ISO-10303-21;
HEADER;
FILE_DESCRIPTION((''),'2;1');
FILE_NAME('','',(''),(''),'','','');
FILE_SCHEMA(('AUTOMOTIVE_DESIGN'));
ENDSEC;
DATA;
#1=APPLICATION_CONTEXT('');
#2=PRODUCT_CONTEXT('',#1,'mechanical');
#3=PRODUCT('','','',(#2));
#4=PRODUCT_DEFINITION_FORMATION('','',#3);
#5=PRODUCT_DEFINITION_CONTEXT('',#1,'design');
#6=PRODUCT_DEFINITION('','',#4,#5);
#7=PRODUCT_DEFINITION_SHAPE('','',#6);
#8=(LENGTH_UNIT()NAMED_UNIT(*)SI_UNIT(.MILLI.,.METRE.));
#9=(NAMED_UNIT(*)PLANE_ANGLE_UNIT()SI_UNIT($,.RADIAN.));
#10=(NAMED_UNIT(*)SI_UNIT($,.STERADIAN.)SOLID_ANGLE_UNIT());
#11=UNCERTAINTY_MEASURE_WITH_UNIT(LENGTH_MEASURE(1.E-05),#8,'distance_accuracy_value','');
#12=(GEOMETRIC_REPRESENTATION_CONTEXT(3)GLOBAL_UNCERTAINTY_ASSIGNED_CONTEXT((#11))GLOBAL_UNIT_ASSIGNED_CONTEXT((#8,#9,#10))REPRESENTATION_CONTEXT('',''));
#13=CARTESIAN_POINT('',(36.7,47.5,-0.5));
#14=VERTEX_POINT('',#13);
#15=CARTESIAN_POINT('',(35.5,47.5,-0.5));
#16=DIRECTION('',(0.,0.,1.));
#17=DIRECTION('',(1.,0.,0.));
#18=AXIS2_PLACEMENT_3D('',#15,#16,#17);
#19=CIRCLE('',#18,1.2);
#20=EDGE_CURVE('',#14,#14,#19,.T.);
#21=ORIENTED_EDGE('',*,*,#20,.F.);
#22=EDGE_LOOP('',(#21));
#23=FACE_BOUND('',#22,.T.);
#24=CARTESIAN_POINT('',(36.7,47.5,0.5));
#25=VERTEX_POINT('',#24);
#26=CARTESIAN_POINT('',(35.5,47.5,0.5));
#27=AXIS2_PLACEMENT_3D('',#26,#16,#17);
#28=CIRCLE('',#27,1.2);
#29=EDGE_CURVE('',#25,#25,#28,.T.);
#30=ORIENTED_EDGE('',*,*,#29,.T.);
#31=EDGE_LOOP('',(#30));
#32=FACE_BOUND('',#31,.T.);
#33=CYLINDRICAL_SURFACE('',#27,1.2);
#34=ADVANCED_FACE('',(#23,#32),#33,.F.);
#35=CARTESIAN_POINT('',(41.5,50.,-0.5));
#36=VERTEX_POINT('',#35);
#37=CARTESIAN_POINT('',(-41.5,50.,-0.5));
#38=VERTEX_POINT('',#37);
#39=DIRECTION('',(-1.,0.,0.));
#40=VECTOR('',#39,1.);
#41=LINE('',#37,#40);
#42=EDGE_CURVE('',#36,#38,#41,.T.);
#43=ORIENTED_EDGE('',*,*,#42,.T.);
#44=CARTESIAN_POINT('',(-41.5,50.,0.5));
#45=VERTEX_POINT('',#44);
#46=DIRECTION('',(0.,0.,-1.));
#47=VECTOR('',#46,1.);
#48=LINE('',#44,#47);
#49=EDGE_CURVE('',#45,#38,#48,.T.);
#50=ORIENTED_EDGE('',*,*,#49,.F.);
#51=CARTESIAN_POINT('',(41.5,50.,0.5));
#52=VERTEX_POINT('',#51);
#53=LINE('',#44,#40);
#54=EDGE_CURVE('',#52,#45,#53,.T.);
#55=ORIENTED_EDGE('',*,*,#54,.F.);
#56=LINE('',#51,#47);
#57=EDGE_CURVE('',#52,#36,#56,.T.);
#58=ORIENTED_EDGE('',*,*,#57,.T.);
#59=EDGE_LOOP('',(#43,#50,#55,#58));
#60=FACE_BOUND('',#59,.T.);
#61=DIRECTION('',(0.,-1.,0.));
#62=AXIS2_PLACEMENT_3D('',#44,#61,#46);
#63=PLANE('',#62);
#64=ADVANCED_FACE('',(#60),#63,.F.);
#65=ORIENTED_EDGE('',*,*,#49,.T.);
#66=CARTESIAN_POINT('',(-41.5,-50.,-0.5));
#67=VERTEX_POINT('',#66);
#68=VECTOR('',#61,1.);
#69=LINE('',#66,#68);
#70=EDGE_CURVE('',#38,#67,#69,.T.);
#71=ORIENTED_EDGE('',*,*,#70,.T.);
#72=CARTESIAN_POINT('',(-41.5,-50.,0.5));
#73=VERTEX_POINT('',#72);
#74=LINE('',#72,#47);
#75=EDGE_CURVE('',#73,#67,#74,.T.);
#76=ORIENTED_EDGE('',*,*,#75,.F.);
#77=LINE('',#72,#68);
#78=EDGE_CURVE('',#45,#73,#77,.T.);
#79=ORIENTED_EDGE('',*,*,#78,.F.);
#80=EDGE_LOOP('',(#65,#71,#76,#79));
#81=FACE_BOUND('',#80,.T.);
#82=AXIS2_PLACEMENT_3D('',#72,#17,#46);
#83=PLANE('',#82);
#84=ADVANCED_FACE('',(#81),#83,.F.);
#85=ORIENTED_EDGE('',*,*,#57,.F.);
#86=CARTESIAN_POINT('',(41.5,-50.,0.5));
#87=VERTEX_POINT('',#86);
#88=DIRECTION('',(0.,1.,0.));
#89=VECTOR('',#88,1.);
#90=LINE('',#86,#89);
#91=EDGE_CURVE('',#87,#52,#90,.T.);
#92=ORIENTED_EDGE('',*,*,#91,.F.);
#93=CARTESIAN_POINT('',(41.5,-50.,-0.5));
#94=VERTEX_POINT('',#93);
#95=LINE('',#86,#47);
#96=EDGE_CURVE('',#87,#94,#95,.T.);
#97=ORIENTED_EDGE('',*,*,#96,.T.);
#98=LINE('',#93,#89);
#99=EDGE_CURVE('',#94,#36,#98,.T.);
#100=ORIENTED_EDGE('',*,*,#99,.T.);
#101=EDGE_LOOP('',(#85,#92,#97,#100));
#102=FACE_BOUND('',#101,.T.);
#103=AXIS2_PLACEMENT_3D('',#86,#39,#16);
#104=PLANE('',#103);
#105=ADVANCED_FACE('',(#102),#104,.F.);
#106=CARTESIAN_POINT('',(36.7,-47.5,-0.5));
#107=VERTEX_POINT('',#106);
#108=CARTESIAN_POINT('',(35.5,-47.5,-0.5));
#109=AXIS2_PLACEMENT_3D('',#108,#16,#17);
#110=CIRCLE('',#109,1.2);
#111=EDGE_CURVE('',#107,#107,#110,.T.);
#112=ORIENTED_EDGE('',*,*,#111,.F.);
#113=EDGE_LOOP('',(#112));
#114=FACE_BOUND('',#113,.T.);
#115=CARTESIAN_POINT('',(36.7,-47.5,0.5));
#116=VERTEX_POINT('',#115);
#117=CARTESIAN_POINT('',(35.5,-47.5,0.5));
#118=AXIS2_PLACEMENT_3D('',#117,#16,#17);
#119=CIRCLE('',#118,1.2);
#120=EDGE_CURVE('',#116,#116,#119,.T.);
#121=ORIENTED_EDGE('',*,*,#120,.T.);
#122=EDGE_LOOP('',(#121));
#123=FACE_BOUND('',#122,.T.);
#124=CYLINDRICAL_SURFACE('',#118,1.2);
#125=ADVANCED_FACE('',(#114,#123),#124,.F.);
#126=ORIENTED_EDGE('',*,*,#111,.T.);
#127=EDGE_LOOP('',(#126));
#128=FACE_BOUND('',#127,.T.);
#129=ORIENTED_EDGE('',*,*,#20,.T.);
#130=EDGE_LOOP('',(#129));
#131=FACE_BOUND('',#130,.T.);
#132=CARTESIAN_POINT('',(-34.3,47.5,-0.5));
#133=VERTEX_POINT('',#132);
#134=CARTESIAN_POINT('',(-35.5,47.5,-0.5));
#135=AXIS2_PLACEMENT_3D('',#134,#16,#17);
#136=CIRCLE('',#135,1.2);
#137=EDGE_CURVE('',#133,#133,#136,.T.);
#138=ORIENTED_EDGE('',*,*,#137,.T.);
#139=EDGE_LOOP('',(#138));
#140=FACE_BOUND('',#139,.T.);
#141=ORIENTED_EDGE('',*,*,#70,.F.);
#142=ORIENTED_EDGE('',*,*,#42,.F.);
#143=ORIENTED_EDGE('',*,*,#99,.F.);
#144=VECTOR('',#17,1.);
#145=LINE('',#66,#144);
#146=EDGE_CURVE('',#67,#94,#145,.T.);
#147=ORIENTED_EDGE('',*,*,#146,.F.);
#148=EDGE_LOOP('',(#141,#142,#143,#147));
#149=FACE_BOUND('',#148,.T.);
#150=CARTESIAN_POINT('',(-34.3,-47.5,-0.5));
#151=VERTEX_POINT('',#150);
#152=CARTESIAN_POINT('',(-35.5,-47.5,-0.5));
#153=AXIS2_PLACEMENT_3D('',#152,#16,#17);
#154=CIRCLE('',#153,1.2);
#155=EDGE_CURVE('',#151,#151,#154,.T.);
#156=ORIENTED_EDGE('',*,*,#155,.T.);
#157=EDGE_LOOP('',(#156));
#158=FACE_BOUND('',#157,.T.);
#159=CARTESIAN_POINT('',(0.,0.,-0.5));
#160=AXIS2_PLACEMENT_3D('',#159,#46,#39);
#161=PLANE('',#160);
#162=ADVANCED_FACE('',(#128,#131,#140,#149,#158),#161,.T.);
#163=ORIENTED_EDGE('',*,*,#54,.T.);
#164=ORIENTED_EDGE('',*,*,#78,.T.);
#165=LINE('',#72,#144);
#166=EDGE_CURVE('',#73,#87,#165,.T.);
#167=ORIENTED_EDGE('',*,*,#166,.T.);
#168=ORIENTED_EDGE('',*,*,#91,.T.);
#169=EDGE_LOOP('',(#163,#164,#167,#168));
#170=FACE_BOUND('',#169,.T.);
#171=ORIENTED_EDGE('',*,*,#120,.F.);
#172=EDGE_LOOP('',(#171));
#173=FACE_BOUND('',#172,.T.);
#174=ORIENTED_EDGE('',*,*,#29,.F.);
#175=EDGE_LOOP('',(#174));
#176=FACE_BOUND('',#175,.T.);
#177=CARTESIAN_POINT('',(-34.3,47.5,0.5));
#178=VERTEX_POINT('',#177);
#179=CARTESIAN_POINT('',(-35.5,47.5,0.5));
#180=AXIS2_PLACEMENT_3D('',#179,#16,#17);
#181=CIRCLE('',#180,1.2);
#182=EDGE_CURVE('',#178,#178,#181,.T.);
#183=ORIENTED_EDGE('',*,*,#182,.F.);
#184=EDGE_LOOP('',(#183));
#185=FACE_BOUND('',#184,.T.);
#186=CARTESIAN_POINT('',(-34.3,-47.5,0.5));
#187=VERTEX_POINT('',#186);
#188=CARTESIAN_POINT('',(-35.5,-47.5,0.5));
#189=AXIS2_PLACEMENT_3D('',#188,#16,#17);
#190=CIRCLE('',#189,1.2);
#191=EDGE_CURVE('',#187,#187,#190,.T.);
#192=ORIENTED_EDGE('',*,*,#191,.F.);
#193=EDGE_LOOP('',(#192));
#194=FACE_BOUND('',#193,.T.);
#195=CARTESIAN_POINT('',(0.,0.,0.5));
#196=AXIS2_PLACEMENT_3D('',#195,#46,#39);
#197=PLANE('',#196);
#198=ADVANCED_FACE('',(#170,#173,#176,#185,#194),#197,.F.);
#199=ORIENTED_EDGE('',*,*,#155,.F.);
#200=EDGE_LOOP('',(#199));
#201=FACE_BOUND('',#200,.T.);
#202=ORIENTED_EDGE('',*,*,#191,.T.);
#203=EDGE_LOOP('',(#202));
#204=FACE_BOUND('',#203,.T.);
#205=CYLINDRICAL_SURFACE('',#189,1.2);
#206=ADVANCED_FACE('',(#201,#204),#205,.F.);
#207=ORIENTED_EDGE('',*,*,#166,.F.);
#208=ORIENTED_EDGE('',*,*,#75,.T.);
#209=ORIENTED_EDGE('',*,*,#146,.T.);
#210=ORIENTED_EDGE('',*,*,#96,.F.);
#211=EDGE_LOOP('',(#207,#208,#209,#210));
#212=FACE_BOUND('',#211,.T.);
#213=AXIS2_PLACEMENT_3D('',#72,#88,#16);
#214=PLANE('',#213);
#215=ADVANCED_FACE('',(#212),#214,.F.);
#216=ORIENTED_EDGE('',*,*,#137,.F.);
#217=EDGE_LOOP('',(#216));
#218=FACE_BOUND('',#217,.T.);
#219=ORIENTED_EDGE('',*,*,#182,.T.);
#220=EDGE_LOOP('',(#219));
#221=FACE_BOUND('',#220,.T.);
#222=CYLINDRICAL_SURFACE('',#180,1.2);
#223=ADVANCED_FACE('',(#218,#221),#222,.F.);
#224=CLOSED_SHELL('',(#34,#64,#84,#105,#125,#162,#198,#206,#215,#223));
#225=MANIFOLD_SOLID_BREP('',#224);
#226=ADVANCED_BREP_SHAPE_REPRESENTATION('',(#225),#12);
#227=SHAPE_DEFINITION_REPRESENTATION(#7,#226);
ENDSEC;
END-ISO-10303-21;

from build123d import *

# Parameters (mm, degrees)
SKETCH1_W           = 83
SKETCH1_H           = 100
BOSS_EXTRUDE1_DEPTH = 0.5
M2_HOLE1_A_D        = 2.4


with BuildPart() as part:
    # Sketch1 → Boss-Extrude1 (new, symmetric)
    with BuildSketch(Plane.XY):
        Rectangle(SKETCH1_W, SKETCH1_H)
    extrude(amount=BOSS_EXTRUDE1_DEPTH, both=True)

    # M2 Hole1 - A (through all)
    with Locations(Plane.XY.offset(0.5)):
        with Locations((-35.5, 47.5), (35.5, 47.5), (-35.5, -47.5), (35.5, -47.5)):
            Hole(M2_HOLE1_A_D / 2)


solid = part.part
